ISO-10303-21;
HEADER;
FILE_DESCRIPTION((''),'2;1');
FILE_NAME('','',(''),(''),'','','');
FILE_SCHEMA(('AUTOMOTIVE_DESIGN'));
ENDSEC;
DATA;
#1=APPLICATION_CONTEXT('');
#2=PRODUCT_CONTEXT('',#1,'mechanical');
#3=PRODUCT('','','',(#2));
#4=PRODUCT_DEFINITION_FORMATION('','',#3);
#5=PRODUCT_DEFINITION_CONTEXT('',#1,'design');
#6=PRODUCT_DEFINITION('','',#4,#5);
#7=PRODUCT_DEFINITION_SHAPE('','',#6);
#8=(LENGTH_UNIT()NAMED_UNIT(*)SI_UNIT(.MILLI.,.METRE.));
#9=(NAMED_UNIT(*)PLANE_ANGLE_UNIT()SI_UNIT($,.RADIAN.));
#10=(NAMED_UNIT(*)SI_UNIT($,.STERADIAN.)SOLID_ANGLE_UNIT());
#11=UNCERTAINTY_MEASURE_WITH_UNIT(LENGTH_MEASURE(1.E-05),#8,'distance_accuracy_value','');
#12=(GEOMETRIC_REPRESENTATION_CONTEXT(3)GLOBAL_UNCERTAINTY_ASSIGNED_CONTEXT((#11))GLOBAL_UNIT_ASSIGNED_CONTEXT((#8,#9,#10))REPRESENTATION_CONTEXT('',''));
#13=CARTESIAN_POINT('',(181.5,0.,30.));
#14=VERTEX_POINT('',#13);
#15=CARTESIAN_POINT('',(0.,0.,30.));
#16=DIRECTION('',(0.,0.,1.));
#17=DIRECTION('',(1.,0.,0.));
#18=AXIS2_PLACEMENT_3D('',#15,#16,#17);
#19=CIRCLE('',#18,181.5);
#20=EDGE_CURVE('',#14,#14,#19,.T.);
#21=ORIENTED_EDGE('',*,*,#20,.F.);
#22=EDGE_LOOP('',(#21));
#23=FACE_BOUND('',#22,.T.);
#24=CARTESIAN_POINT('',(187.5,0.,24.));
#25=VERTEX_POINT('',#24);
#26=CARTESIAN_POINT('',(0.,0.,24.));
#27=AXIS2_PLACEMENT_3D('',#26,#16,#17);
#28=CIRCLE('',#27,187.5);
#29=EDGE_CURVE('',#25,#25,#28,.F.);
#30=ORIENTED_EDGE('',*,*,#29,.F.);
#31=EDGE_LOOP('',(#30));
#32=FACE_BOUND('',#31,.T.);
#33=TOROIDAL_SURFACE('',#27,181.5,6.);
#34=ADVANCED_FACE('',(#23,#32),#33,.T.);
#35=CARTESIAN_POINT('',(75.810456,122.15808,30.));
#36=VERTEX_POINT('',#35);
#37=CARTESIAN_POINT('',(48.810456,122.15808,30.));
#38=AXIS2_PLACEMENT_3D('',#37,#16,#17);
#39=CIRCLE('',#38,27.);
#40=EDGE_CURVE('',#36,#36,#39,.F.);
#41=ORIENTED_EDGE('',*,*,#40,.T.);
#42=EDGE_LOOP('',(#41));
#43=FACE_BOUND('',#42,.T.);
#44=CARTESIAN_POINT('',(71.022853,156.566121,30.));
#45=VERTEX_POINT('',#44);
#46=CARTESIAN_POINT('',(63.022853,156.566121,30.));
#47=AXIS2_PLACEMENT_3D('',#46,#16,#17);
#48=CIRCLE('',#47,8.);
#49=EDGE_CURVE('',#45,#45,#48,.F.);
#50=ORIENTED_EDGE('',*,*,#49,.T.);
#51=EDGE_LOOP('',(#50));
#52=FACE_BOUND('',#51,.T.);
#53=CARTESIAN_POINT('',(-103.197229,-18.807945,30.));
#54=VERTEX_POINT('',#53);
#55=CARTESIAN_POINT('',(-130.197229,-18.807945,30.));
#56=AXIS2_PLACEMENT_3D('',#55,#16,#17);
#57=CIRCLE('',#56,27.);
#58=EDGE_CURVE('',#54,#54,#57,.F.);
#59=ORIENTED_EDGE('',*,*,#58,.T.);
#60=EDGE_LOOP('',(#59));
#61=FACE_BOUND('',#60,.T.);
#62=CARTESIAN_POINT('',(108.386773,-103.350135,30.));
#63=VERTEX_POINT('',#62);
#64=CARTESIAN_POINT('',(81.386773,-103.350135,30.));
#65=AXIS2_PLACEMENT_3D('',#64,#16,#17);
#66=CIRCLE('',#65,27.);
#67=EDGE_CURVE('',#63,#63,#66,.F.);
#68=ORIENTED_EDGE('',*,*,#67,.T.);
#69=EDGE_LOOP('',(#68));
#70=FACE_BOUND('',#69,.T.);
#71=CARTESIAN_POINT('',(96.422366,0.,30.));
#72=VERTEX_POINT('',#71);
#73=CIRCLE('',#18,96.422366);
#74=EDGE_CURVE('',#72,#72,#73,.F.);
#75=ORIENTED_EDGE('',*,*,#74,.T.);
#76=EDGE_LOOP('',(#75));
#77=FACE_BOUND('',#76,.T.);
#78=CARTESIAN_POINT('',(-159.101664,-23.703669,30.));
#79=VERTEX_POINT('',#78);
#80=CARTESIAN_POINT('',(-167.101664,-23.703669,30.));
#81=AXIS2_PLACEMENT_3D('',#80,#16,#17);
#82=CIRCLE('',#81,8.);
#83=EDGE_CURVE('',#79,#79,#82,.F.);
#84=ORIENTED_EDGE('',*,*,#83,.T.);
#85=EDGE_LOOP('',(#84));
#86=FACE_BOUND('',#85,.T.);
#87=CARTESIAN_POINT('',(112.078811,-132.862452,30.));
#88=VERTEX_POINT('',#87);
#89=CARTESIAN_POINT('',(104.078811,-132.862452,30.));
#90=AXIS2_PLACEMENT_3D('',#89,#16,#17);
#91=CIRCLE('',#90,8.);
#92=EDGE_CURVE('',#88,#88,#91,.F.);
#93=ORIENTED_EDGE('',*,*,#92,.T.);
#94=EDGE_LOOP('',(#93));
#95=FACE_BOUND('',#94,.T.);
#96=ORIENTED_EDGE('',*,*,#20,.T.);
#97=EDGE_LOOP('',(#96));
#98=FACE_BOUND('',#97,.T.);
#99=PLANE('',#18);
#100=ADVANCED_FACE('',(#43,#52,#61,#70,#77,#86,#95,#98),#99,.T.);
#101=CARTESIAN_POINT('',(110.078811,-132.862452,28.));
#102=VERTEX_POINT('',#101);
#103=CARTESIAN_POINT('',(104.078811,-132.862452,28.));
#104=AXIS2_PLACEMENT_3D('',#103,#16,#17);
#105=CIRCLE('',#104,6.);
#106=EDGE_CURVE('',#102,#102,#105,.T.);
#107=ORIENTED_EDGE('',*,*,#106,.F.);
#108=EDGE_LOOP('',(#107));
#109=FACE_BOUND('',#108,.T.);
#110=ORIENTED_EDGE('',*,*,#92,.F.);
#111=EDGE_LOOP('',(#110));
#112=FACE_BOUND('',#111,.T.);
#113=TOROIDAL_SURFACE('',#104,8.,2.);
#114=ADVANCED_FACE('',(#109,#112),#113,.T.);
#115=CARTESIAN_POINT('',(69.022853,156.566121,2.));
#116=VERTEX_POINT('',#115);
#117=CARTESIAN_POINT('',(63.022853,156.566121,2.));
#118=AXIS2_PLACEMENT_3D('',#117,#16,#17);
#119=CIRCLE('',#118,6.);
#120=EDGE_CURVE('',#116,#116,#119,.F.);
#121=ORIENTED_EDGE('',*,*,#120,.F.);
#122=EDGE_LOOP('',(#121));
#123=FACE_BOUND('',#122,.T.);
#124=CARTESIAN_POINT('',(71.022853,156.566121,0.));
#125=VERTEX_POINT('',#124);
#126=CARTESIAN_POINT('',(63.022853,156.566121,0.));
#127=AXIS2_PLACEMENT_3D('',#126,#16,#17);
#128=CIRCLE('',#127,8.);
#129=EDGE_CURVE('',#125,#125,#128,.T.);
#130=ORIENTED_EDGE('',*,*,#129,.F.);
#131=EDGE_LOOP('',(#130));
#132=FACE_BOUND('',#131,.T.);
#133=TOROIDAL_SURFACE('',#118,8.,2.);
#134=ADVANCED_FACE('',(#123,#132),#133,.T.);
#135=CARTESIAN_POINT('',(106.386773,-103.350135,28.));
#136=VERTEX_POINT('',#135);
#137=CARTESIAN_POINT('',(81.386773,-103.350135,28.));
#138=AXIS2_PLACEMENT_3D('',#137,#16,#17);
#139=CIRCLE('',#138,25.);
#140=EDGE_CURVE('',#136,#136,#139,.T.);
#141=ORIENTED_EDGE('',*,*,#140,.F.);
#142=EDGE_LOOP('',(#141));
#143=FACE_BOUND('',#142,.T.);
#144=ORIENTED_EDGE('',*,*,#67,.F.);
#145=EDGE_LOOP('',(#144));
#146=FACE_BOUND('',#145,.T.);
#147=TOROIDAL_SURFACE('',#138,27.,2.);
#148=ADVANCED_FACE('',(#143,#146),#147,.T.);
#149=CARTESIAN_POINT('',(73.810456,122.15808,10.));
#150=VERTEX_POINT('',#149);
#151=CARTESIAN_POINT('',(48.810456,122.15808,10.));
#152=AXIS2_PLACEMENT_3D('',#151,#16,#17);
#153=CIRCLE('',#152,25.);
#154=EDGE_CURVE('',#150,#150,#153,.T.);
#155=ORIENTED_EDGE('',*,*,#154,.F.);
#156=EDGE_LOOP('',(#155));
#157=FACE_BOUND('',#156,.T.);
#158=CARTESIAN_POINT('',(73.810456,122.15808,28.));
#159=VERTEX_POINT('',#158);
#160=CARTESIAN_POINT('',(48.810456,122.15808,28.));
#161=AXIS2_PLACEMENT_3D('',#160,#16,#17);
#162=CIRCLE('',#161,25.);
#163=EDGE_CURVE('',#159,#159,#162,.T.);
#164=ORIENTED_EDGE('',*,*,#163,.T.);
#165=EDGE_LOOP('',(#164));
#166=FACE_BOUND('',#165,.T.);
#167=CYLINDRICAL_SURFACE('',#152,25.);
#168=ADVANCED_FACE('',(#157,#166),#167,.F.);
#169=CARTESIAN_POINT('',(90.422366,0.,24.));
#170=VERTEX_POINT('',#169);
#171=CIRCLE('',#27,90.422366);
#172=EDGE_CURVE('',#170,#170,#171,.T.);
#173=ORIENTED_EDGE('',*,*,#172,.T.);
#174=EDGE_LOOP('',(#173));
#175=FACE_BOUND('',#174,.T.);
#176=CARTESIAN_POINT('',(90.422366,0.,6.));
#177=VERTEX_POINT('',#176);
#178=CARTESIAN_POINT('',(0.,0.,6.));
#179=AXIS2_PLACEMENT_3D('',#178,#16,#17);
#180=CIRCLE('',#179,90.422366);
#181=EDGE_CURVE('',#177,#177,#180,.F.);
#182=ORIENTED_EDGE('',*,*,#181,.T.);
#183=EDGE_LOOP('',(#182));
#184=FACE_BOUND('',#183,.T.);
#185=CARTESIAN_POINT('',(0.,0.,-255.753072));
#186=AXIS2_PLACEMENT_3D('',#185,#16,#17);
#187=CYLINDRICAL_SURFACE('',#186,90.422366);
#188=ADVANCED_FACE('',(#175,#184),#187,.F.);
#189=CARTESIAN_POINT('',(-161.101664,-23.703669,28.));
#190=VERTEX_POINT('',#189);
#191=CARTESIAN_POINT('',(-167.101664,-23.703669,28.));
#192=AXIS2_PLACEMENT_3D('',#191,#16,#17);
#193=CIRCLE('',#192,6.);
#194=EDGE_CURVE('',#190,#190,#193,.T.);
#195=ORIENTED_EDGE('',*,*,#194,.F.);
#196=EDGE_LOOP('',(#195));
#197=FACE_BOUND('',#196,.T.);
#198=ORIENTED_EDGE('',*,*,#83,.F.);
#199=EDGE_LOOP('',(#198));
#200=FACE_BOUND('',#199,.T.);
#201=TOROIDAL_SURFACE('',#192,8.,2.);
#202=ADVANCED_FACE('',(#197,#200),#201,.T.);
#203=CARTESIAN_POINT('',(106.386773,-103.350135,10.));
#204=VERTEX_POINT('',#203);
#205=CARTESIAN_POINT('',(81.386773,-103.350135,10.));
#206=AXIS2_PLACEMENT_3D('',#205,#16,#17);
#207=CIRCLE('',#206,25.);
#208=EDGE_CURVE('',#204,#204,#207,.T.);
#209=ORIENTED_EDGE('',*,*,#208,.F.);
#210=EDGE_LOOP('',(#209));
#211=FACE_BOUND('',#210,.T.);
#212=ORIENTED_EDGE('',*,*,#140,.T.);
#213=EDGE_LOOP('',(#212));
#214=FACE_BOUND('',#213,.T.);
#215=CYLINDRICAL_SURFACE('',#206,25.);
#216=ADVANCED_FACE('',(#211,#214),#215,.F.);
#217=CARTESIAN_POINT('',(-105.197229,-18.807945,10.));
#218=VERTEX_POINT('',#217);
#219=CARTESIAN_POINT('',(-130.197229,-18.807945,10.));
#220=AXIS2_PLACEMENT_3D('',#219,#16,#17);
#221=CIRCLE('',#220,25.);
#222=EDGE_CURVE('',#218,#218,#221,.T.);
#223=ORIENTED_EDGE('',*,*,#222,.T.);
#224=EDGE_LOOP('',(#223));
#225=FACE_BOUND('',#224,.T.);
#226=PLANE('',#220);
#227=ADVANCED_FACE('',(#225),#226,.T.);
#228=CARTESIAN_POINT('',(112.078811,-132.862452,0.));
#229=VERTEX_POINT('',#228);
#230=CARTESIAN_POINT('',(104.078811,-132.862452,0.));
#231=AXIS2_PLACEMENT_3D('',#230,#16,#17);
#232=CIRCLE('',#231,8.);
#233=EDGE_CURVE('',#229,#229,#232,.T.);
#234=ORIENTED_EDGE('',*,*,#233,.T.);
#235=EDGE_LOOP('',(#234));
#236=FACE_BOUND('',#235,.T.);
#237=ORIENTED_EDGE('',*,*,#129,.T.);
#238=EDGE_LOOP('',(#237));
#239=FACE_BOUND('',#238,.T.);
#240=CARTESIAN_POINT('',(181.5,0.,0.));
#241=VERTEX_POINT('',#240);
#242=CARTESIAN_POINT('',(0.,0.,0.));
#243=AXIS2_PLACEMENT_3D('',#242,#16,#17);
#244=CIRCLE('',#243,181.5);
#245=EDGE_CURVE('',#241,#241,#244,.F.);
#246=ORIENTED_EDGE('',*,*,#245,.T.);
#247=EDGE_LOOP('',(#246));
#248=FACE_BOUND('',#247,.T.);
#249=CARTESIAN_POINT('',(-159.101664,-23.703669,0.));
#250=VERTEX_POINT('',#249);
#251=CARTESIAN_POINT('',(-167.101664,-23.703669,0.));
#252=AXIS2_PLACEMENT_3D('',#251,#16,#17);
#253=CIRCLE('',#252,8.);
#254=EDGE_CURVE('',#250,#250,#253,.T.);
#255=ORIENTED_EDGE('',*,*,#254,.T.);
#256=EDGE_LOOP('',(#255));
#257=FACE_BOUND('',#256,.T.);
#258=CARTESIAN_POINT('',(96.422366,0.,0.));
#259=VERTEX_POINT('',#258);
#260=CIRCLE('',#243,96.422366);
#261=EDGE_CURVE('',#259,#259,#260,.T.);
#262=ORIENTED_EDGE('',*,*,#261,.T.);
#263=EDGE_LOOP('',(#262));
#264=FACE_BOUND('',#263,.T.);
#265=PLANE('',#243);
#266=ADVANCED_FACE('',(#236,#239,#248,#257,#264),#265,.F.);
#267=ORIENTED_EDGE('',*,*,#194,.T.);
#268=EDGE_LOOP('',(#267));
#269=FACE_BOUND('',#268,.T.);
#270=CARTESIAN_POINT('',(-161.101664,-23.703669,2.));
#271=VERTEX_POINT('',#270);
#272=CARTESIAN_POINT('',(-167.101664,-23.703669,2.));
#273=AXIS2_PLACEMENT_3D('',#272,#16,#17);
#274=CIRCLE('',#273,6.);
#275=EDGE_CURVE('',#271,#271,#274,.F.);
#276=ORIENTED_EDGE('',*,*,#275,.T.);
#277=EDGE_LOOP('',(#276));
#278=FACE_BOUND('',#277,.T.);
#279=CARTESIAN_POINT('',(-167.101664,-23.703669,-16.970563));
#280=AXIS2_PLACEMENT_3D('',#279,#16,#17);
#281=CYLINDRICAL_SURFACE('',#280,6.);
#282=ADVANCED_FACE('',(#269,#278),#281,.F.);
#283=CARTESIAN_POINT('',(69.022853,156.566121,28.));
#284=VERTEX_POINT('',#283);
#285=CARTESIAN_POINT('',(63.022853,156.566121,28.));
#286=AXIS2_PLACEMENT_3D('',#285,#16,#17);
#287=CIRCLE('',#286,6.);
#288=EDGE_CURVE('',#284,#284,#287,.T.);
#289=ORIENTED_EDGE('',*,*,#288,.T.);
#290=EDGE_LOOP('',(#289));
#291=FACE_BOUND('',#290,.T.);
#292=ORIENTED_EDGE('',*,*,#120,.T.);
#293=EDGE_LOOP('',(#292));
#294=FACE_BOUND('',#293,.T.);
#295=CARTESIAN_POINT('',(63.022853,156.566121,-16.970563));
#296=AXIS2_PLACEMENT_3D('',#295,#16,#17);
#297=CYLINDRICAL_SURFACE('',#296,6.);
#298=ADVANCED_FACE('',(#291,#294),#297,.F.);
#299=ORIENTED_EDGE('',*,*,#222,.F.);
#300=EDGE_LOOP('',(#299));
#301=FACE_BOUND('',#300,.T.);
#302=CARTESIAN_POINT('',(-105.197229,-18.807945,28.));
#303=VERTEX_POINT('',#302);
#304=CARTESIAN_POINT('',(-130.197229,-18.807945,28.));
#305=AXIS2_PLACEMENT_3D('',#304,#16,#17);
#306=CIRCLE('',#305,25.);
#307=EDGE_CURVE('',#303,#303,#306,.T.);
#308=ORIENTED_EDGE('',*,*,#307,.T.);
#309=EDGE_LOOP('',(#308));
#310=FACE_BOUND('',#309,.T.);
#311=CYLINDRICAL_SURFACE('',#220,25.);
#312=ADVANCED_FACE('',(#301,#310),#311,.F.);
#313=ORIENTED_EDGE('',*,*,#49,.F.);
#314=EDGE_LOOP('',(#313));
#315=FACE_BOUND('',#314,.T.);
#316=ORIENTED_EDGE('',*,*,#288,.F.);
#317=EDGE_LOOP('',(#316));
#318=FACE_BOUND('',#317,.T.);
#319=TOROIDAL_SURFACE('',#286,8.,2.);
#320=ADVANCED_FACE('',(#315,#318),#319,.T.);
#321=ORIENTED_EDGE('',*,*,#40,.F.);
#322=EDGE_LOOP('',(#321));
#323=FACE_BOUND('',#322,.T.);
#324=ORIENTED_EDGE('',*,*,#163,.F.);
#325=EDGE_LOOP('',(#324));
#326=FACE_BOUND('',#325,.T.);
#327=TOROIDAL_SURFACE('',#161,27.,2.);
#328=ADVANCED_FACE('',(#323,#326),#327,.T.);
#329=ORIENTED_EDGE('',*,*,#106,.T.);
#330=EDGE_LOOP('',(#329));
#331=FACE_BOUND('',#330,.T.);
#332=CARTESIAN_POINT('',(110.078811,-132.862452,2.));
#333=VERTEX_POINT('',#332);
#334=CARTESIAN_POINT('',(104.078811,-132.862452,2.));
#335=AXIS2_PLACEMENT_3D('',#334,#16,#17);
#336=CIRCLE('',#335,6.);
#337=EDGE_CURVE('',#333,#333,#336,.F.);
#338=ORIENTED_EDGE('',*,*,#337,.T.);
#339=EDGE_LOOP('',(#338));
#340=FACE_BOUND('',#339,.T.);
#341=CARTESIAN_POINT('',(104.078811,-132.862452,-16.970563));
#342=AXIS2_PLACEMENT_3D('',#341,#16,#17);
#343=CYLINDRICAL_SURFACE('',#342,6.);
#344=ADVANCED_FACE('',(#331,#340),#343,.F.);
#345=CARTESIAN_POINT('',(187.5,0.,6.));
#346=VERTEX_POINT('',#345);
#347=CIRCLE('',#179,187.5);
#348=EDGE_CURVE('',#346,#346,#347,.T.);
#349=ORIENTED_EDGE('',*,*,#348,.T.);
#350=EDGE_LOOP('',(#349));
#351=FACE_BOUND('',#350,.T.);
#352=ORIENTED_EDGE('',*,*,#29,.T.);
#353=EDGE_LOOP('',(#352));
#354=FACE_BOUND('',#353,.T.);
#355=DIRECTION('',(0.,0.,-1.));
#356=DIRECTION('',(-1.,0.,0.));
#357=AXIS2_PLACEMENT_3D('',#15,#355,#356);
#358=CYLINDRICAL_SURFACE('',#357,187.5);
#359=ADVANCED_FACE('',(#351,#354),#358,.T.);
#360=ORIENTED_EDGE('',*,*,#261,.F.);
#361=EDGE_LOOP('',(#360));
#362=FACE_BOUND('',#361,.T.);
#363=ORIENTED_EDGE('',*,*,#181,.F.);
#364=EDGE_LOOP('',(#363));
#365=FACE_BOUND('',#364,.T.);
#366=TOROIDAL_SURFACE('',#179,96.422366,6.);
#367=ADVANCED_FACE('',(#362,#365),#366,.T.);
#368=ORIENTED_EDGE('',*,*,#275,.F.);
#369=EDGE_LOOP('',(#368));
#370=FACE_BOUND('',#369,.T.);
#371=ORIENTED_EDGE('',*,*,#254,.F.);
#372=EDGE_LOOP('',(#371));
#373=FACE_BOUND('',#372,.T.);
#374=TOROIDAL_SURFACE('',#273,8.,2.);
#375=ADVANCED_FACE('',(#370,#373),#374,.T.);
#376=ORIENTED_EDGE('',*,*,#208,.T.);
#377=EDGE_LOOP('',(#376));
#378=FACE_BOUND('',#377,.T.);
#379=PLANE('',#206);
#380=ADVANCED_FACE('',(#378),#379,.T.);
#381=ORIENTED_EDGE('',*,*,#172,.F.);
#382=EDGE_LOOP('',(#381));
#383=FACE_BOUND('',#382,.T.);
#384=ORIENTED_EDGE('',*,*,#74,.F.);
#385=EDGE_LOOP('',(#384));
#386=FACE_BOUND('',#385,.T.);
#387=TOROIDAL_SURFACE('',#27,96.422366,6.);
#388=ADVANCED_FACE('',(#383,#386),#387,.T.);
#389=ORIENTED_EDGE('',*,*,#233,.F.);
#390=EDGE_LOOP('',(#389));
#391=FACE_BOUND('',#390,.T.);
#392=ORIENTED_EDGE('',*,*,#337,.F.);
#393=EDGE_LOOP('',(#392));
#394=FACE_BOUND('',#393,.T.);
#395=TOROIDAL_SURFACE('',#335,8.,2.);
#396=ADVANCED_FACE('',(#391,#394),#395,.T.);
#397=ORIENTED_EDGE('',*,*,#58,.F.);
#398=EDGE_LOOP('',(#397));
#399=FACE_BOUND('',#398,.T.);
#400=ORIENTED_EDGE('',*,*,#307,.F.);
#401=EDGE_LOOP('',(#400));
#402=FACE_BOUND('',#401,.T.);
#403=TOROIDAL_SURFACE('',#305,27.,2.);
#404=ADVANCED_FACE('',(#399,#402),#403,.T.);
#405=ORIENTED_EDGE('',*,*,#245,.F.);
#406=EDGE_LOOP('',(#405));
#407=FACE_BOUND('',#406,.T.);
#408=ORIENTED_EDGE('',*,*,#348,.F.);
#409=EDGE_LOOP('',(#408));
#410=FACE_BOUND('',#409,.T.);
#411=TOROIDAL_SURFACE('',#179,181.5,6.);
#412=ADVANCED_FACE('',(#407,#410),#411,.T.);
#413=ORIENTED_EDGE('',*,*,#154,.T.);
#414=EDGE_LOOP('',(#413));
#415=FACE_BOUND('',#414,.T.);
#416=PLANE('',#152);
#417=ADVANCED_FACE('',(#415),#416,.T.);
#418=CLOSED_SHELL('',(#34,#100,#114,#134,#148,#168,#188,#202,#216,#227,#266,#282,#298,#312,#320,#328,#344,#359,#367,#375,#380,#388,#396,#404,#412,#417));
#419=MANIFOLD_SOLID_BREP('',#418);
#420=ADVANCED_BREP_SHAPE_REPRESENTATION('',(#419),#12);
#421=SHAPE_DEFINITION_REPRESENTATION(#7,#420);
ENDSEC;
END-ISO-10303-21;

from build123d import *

# Parameters (mm, degrees)
SKETCH1_R           = 187.5
BOSS_EXTRUDE1_DEPTH = 30
SKETCH3_R           = 25
CUT_EXTRUDE1_DEPTH  = 20
CUT_EXTRUDE2_DEPTH  = 30
FILLET1_R           = 2
FILLET2_R           = 2
FILLET3_R           = 6
SKETCH4_R           = 90.422365659
CUT_EXTRUDE3_DEPTH  = 30
FILLET4_R           = 6


with BuildPart() as part:
    # Sketch1 → Boss-Extrude1 (new body)
    with BuildSketch(Plane.XY):
        Circle(SKETCH1_R)
    extrude(amount=BOSS_EXTRUDE1_DEPTH)

    # Sketch3 → Cut-Extrude1 (cut)
    with BuildSketch(Plane.XY.offset(30)):
        with Locations((48.810456462, 122.158080297)):
            Circle(SKETCH3_R)
        with Locations((81.386772583, -103.350135415)):
            Circle(SKETCH3_R)
        with Locations((-130.197229045, -18.807944882)):
            Circle(SKETCH3_R)
    extrude(amount=-CUT_EXTRUDE1_DEPTH, mode=Mode.SUBTRACT)

    # Sketch3<3> → Cut-Extrude2 (cut)
    with BuildSketch(Plane.XY.offset(30)):
        with BuildLine():
            ThreePointArc((-161.101664184, -23.703668755), (-161.429809281, -21.746614345), (-162.378351505, -20.003625871))
            Line((-162.378351505, -20.003625871), (-167.101664184, -23.703668755))
            Line((-167.101664184, -23.703668755), (-161.535676712, -25.944156082))
            ThreePointArc((-161.535676712, -25.944156082), (-161.211166546, -24.84473737), (-161.101664184, -23.703668755))
        make_face()
        with BuildLine():
            Line((-167.101664184, -23.703668755), (-162.378351505, -20.003625871))
            ThreePointArc((-162.378351505, -20.003625871), (-173.042194395, -24.546343549), (-161.535676712, -25.944156082))
            Line((-161.535676712, -25.944156082), (-167.101664184, -23.703668755))
        make_face()
        with BuildLine():
            ThreePointArc((110.078811397, -132.86245182), (108.012254623, -128.331665533), (103.236136603, -126.921921609))
            Line((103.236136603, -126.921921609), (104.078811397, -132.86245182))
            Line((104.078811397, -132.86245182), (98.512823925, -130.621964493))
            ThreePointArc((98.512823925, -130.621964493), (102.937742781, -138.752949457), (110.078811397, -132.86245182))
        make_face()
        with BuildLine():
            Line((104.078811397, -132.86245182), (103.236136603, -126.921921609))
            ThreePointArc((103.236136603, -126.921921609), (100.378768513, -128.139139142), (98.512823925, -130.621964493))
            Line((98.512823925, -130.621964493), (104.078811397, -132.86245182))
        make_face()
        with BuildLine():
            ThreePointArc((69.022852787, 156.566120575), (61.065798377, 162.237975478), (58.299540109, 152.866077691))
            Line((58.299540109, 152.866077691), (63.022852787, 156.566120575))
            Line((63.022852787, 156.566120575), (63.865527581, 150.625590364))
            ThreePointArc((63.865527581, 150.625590364), (67.553639074, 152.632677348), (69.022852787, 156.566120575))
        make_face()
        with BuildLine():
            Line((63.022852787, 156.566120575), (58.299540109, 152.866077691))
            ThreePointArc((58.299540109, 152.866077691), (60.78236546, 151.000133103), (63.865527581, 150.625590364))
            Line((63.865527581, 150.625590364), (63.022852787, 156.566120575))
        make_face()
    extrude(amount=-CUT_EXTRUDE2_DEPTH, mode=Mode.SUBTRACT)

    # Fillet1
    fillet1_edges = [part.edges().sort_by_distance(p)[0] for p in [
        (23.810456462, 122.158080297, 30),
        (56.386772583, -103.350135415, 30),
        (-155.197229045, -18.807944882, 30),
    ]]
    fillet(fillet1_edges, radius=FILLET1_R)

    # Fillet2
    fillet2_edges = [part.edges().sort_by_distance(p)[0] for p in [
        (98.078811397, -132.86245182, 30),
        (98.078811397, -132.86245182, 0),
        (-172.667651655, -21.463181428, 30),
        (-172.667651655, -21.463181428, 0),
        (67.746165465, 160.266163459, 0),
        (67.746165465, 160.266163459, 30),
    ]]
    fillet(fillet2_edges, radius=FILLET2_R)

    # Fillet3
    fillet3_edges = [part.edges().sort_by_distance(p)[0] for p in [
        (-187.5, 0, 0),
        (-187.5, 0, 30),
    ]]
    fillet(fillet3_edges, radius=FILLET3_R)

    # Sketch4 → Cut-Extrude3 (cut)
    with BuildSketch(Plane.XY.offset(30)):
        Circle(SKETCH4_R)
    extrude(amount=-CUT_EXTRUDE3_DEPTH, mode=Mode.SUBTRACT)

    # Fillet4
    fillet4_edges = [part.edges().sort_by_distance(p)[0] for p in [
        (-90.422365659, 0, 30),
        (-90.422365659, 0, 0),
    ]]
    fillet(fillet4_edges, radius=FILLET4_R)


solid = part.part
